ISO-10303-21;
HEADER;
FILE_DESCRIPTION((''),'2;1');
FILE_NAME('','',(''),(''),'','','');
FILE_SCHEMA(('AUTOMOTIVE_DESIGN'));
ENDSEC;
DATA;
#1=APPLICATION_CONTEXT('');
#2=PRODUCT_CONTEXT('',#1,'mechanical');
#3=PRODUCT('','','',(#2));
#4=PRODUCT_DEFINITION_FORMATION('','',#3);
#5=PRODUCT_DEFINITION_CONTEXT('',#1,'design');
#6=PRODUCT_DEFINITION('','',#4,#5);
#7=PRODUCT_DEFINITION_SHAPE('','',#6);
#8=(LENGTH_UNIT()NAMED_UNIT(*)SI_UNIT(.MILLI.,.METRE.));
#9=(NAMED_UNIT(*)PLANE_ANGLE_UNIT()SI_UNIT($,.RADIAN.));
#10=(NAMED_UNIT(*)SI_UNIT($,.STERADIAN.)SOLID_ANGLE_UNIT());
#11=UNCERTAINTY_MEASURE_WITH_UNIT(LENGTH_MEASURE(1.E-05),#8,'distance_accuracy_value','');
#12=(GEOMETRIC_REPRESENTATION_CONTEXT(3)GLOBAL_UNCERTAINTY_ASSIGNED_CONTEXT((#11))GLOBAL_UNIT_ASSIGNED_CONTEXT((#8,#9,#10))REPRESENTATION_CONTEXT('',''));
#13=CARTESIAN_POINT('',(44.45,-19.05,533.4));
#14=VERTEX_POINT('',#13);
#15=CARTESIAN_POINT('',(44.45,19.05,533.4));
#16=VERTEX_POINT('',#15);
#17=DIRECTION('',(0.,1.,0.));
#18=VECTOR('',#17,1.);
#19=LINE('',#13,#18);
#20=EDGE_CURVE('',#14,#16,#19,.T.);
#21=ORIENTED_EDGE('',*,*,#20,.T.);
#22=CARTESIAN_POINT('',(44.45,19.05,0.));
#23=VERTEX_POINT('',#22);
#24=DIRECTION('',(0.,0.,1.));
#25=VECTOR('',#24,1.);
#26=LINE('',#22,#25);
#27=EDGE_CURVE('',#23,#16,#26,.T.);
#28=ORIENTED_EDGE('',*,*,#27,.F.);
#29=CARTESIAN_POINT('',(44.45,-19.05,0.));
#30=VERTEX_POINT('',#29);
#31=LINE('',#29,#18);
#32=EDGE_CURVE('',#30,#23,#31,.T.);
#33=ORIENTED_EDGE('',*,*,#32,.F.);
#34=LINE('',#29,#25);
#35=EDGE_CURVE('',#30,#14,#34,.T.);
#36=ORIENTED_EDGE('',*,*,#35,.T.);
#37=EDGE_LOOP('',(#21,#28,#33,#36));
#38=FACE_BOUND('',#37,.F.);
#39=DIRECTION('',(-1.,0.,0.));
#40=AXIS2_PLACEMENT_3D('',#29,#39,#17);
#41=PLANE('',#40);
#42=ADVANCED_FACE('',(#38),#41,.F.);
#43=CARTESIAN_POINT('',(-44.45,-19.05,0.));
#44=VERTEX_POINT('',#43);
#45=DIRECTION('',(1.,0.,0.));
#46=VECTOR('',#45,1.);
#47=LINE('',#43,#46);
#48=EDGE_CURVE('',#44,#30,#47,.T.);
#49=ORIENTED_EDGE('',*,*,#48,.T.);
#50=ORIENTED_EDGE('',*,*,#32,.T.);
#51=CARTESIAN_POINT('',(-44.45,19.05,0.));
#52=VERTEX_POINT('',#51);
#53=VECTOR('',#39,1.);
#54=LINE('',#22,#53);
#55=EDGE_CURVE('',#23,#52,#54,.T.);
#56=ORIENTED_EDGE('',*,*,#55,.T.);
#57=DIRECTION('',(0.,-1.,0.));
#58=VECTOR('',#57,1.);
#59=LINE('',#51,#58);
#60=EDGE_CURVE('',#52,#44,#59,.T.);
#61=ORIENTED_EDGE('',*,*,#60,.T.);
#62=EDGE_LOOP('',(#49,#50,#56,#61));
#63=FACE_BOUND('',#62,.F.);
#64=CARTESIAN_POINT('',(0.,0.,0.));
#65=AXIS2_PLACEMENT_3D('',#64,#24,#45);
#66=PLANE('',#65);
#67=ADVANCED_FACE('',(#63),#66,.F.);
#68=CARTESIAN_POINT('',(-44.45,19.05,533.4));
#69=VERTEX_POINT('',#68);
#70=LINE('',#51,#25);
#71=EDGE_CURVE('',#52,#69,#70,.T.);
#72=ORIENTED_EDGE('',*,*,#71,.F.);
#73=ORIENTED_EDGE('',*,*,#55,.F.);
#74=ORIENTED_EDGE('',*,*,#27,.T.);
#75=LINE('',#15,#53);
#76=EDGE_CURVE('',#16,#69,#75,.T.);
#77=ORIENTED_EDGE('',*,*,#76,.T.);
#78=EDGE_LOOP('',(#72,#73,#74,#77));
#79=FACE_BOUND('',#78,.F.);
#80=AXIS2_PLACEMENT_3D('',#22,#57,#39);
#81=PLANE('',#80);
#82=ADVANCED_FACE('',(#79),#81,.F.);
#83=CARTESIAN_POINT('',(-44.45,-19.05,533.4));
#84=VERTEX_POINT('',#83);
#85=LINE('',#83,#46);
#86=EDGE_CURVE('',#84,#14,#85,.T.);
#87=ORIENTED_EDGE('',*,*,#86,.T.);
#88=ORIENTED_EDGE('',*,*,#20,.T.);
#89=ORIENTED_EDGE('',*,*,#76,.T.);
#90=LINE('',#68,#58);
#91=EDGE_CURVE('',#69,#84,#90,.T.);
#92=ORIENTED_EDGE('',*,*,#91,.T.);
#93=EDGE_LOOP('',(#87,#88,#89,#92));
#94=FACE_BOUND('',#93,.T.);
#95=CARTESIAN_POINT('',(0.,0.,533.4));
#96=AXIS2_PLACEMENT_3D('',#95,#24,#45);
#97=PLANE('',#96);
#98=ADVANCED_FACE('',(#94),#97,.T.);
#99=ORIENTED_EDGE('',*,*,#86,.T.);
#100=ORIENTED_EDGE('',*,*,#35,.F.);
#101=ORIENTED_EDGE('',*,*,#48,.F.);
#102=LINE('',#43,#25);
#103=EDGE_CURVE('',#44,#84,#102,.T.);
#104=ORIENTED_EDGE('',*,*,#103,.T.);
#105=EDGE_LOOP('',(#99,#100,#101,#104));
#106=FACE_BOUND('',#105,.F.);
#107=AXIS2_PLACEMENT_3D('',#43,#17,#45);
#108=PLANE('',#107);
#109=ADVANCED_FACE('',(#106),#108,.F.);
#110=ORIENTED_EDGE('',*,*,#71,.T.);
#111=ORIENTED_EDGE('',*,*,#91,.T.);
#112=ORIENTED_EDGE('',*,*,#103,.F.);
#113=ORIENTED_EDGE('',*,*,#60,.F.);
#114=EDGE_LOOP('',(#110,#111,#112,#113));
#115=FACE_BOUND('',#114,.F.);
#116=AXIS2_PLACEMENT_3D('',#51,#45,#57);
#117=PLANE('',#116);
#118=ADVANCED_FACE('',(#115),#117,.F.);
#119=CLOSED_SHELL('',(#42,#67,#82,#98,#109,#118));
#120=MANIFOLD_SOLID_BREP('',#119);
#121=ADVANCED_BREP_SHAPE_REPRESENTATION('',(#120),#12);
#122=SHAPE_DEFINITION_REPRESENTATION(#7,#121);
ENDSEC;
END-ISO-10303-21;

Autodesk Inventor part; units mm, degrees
ref_plane "YZ Plane" through (0, 0, 0) normal (1, 0, 0) x (0, 1, 0)
ref_plane "XZ Plane" through (0, 0, 0) normal (0, 1, 0) x (-1, 0, 0)
ref_plane "XY Plane" through (0, 0, 0) normal (0, 0, 1) x (1, 0, 0)
sketch "Sketch1" plane through (0, 0, 0) normal (0, 0, 1) x (1, 0, 0)
  line L0 (-44.45, -19.05) -> (44.45, -19.05)
  line L1 (44.45, -19.05) -> (44.45, 19.05)
  line L2 (44.45, 19.05) -> (-44.45, 19.05)
  line L3 (-44.45, 19.05) -> (-44.45, -19.05)
  line L4 (-44.45, -19.05) -> (44.45, 19.05) construction
  line L5 (44.45, -19.05) -> (-44.45, 19.05) construction
  point P0 (0, 0)
  dimension "d0" = 88.9
  dimension "d1" = 38.1
extrude "Extrusion1" add sketch "Sketch1" along normal blind 533.4
properties part number "2x4x21"
